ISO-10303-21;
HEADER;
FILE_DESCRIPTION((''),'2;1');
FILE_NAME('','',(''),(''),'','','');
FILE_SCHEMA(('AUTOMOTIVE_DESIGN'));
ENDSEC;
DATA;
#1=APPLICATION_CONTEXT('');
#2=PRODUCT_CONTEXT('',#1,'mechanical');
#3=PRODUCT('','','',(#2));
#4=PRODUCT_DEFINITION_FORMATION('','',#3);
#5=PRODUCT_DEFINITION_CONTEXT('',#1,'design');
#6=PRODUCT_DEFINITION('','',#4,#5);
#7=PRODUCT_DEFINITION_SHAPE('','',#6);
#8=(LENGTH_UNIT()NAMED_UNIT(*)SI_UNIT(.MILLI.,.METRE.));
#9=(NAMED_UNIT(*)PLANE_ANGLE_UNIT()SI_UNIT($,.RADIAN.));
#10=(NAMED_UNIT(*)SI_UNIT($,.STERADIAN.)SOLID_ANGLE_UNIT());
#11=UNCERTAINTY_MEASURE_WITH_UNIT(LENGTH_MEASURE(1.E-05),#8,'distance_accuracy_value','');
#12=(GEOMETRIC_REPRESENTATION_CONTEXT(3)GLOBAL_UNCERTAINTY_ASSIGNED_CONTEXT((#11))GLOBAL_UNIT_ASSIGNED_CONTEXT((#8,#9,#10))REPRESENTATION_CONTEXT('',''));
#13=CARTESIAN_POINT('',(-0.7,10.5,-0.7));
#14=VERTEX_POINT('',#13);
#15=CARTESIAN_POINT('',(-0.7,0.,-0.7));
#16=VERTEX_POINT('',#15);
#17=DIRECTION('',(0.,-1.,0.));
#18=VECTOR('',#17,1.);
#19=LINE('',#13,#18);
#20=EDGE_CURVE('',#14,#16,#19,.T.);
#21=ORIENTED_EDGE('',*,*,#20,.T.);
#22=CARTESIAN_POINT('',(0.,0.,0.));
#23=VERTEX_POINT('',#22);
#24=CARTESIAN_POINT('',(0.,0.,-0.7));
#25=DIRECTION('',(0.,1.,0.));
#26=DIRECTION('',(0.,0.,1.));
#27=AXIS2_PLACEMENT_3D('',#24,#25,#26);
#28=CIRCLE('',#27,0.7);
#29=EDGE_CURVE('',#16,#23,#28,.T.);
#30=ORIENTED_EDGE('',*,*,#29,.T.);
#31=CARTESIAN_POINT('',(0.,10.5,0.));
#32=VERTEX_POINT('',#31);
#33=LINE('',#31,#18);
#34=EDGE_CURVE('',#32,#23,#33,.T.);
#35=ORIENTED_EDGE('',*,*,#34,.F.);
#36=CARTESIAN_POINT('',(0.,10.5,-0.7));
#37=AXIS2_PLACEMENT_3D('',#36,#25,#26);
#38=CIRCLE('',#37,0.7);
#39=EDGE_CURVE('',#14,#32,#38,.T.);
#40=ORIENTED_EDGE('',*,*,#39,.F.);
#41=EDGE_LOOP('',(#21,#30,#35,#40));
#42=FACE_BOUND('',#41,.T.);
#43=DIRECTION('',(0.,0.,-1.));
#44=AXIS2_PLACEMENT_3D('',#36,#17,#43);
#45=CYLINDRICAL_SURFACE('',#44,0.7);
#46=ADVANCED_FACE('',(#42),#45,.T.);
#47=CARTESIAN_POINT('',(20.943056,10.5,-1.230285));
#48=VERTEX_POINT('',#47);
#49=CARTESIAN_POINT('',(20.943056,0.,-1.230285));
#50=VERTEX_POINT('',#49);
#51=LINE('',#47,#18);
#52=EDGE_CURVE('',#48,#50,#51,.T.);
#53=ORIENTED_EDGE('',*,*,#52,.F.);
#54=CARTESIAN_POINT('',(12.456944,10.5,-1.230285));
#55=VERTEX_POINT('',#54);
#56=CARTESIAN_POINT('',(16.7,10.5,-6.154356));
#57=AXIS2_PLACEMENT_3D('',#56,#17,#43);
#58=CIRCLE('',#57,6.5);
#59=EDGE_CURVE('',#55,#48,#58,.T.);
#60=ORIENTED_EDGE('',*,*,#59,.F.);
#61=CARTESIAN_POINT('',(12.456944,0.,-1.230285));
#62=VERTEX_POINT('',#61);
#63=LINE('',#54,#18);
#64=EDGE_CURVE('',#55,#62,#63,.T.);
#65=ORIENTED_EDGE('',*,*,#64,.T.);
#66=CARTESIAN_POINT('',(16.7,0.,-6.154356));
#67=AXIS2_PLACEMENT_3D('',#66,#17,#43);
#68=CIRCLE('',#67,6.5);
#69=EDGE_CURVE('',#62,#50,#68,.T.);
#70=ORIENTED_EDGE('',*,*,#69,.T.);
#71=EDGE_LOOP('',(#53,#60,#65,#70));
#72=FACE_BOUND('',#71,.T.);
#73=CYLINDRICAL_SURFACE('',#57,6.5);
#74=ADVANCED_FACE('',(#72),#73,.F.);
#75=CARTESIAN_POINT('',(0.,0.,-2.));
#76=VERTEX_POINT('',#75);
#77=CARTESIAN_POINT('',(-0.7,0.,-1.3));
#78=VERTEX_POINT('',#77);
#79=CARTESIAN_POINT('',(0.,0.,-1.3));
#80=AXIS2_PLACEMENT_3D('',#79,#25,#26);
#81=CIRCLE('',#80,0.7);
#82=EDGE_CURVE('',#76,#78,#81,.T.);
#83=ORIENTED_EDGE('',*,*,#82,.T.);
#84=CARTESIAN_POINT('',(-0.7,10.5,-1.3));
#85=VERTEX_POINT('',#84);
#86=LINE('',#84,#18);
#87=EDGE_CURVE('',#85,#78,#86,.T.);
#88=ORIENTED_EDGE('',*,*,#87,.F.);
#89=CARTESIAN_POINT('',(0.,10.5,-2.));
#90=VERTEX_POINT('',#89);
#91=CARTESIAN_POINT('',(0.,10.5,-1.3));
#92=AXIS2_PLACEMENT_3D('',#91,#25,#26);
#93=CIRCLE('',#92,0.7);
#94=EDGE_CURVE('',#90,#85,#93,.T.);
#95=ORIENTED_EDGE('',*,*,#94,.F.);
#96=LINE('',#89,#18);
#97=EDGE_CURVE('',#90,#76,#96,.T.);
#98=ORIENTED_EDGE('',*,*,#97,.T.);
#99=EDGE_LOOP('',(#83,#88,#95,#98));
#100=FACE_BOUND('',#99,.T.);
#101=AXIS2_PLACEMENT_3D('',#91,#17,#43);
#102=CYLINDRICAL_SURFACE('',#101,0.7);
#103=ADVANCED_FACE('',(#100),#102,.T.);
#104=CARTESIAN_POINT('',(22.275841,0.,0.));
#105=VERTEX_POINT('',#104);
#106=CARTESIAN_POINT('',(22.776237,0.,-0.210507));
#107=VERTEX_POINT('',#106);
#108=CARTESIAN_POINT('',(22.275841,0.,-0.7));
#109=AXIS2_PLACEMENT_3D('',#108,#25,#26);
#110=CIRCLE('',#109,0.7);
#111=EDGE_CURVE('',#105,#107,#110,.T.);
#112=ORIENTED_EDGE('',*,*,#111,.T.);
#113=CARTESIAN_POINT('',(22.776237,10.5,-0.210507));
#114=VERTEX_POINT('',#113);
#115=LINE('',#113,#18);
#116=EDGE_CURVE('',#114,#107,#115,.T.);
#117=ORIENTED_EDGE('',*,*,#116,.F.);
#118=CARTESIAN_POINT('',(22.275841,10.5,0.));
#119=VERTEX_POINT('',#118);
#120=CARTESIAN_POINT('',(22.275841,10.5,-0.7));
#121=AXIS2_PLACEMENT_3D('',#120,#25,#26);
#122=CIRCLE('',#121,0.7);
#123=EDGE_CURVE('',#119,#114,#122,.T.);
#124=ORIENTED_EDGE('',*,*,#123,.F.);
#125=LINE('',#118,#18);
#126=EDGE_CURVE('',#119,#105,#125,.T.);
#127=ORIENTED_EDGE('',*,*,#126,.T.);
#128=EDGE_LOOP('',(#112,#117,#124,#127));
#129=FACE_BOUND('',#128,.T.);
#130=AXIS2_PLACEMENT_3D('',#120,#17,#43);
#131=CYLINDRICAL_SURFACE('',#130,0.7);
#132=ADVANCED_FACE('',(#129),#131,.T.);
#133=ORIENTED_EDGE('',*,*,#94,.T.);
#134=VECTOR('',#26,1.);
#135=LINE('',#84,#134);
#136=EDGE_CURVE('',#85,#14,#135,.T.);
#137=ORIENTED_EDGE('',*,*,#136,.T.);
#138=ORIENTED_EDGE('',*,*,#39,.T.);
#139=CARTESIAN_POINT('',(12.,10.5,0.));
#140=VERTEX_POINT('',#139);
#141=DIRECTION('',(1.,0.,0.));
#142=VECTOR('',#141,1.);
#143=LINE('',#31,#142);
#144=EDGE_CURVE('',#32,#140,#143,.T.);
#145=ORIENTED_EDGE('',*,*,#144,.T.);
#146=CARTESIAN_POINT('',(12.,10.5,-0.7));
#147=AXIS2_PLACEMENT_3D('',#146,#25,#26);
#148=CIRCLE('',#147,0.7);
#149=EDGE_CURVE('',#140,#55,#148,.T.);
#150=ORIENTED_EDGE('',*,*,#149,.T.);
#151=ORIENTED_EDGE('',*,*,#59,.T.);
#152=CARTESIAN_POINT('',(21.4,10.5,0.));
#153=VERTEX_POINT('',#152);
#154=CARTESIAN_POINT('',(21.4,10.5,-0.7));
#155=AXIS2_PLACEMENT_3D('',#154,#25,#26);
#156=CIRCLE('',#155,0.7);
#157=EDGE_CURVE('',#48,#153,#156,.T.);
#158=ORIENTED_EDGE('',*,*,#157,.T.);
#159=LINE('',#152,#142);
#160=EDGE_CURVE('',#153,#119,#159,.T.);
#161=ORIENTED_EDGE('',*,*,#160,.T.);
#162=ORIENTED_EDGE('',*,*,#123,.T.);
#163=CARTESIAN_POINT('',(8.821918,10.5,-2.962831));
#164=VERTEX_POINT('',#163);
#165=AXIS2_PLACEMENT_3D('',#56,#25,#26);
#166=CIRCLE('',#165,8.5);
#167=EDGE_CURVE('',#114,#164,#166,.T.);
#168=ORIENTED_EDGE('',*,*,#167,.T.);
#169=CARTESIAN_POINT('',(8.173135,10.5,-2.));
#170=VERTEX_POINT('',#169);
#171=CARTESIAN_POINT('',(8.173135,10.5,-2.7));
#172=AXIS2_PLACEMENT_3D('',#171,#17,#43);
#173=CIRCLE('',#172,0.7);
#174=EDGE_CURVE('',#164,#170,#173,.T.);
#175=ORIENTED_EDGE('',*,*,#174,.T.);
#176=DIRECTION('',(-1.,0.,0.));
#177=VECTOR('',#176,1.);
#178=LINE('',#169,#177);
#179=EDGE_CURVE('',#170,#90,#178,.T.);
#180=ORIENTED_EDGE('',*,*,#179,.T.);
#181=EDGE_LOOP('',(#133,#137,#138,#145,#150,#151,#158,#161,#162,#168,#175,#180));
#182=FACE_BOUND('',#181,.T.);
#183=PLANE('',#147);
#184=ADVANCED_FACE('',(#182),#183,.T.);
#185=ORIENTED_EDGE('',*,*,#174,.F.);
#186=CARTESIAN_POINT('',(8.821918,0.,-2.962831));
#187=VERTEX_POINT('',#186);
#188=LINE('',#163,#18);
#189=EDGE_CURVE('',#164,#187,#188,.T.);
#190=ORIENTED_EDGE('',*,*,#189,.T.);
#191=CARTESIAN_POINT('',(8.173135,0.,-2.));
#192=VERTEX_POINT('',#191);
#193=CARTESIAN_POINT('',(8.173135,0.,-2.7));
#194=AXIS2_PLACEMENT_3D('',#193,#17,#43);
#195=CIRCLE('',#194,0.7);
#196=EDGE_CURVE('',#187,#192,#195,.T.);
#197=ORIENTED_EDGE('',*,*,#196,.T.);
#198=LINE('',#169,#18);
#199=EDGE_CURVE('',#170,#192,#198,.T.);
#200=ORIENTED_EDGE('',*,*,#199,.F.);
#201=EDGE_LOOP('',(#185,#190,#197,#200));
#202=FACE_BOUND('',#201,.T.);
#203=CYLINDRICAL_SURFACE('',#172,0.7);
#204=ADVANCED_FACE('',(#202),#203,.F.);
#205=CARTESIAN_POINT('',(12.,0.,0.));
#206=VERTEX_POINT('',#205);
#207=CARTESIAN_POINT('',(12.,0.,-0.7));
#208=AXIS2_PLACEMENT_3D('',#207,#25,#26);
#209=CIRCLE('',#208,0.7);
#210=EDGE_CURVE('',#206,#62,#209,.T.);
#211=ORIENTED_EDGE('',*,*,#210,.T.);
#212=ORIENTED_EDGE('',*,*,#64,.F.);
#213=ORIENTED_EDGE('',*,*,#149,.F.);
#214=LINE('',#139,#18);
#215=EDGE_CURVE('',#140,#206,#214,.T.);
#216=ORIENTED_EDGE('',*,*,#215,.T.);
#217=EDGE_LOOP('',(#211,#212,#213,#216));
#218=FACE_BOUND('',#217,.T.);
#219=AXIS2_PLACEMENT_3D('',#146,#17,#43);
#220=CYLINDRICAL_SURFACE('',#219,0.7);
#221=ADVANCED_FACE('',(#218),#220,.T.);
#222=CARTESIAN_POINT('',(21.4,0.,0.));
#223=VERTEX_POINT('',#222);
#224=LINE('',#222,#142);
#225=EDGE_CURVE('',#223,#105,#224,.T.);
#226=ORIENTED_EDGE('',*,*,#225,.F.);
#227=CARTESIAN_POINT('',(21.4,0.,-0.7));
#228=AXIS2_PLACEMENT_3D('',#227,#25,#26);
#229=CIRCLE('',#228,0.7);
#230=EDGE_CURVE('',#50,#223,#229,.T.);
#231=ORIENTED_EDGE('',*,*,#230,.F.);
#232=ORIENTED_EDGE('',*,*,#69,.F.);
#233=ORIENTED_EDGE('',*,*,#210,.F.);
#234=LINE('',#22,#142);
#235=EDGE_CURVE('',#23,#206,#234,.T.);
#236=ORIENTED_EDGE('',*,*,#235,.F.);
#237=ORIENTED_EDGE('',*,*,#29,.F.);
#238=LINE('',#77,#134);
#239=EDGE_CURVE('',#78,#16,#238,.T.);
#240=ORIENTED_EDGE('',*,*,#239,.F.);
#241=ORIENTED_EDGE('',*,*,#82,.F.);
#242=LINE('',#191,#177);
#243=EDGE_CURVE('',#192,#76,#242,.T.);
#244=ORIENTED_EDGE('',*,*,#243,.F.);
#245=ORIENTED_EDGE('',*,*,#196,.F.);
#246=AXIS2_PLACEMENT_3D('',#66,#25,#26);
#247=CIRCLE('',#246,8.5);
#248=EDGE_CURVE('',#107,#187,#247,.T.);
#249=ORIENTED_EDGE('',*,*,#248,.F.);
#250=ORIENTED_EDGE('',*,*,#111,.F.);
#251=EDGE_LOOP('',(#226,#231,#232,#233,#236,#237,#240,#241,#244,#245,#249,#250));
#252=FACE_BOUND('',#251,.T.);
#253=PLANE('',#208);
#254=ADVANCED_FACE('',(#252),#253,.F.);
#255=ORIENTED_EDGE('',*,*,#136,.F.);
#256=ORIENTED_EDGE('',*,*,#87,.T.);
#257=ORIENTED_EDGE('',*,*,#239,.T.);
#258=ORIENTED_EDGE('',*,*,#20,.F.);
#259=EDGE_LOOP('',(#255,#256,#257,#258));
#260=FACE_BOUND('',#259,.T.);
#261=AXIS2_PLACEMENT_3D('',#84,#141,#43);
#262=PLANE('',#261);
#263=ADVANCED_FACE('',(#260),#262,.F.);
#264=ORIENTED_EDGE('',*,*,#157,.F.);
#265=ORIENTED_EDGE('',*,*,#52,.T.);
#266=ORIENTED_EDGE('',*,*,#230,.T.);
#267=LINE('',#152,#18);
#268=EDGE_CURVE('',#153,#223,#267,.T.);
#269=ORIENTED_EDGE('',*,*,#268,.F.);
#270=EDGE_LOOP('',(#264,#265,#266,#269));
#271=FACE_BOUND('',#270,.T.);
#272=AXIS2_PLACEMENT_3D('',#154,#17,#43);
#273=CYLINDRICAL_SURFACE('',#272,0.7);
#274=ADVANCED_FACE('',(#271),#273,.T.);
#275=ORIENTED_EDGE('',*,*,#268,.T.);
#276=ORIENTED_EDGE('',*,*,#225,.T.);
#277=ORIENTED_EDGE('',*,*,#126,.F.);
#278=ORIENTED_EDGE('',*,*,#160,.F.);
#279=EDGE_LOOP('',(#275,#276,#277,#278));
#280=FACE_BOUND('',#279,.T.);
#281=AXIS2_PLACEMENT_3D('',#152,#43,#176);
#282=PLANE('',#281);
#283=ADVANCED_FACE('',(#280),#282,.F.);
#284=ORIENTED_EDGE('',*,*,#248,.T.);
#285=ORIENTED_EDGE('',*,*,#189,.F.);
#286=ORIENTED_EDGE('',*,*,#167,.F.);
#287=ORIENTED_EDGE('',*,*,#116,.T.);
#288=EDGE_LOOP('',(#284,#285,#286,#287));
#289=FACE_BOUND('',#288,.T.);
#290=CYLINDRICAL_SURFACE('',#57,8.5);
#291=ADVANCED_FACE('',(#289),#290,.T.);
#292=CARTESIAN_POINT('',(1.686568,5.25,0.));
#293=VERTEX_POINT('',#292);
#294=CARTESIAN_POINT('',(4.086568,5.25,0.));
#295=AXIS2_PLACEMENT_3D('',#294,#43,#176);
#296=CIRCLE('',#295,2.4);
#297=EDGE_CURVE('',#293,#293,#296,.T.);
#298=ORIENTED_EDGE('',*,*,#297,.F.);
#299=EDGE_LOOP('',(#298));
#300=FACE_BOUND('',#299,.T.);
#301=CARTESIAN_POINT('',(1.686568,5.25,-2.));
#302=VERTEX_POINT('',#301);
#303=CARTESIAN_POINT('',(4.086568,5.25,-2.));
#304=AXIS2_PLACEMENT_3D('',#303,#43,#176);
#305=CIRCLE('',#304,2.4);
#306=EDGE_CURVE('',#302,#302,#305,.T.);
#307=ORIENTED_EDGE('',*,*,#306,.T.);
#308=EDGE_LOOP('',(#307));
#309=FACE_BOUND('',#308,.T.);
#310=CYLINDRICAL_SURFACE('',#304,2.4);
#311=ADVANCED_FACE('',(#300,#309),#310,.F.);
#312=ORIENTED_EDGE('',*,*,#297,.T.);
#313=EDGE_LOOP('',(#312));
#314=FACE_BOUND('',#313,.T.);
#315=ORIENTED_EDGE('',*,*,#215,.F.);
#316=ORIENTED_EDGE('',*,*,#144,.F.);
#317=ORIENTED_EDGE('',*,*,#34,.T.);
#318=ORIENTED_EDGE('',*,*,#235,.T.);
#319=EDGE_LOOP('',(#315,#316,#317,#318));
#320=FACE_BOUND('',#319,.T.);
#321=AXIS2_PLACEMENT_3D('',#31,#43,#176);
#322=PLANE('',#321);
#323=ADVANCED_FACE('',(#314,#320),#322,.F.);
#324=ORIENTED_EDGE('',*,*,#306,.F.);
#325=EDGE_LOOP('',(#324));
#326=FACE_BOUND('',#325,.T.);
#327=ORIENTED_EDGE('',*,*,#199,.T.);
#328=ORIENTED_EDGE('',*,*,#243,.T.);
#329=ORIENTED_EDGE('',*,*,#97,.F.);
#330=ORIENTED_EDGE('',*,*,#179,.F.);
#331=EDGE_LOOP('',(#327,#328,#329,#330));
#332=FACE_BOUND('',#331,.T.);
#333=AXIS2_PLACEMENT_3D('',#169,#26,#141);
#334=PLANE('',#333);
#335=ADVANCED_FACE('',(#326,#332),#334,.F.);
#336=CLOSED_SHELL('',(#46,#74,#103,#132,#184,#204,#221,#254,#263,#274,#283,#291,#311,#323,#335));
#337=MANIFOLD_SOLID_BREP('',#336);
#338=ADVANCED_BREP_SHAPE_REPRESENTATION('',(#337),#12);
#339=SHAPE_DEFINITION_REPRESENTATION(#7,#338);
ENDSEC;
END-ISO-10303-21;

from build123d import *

# Parameters (mm, degrees)
BOSS_EXTRU_1_DEPTH = 10.5
D_GAGEMENT_M41_D   = 4.8


with BuildPart() as part:
    # Esquisse1 → Boss.-Extru.1 (new body)
    with BuildSketch(Plane(origin=(0, 0, 0), x_dir=(1, 0, 0), z_dir=(0, 1, 0))):
        with BuildLine():
            Line((0, 0), (12, 0))
            ThreePointArc((12, 0), (12.656200896, 0.45627806), (12.456944444, 1.230284617))
            ThreePointArc((12.456944444, 1.230284617), (16.7, 12.654356057), (20.943055556, 1.230284617))
            ThreePointArc((20.943055556, 1.230284617), (20.743799104, 0.45627806), (21.4, 0))
            Line((21.4, 0), (22.275840744, 0))
            ThreePointArc((22.275840744, 0), (22.54727633, 0.054769249), (22.776236708, 0.210506508))
            ThreePointArc((22.776236708, 0.210506508), (18.344835687, 14.493691496), (8.821918342, 2.962831439))
            ThreePointArc((8.821918342, 2.962831439), (8.753644409, 2.308836356), (8.173135147, 2))
            Line((8.173135147, 2), (0, 2))
            ThreePointArc((0, 2), (-0.494974747, 1.794974747), (-0.7, 1.3))
            Line((-0.7, 1.3), (-0.7, 0.7))
            ThreePointArc((-0.7, 0.7), (-0.494974747, 0.205025253), (0, 0))
        make_face()
    extrude(amount=BOSS_EXTRU_1_DEPTH)

    # Dégagement M41 (through all)
    with Locations(Plane(origin=(0, 0, -2), x_dir=(-1, 0, 0), z_dir=(0, 0, -1))):
        with Locations((-4.086567573, 5.25)):
            Hole(D_GAGEMENT_M41_D / 2)


solid = part.part
